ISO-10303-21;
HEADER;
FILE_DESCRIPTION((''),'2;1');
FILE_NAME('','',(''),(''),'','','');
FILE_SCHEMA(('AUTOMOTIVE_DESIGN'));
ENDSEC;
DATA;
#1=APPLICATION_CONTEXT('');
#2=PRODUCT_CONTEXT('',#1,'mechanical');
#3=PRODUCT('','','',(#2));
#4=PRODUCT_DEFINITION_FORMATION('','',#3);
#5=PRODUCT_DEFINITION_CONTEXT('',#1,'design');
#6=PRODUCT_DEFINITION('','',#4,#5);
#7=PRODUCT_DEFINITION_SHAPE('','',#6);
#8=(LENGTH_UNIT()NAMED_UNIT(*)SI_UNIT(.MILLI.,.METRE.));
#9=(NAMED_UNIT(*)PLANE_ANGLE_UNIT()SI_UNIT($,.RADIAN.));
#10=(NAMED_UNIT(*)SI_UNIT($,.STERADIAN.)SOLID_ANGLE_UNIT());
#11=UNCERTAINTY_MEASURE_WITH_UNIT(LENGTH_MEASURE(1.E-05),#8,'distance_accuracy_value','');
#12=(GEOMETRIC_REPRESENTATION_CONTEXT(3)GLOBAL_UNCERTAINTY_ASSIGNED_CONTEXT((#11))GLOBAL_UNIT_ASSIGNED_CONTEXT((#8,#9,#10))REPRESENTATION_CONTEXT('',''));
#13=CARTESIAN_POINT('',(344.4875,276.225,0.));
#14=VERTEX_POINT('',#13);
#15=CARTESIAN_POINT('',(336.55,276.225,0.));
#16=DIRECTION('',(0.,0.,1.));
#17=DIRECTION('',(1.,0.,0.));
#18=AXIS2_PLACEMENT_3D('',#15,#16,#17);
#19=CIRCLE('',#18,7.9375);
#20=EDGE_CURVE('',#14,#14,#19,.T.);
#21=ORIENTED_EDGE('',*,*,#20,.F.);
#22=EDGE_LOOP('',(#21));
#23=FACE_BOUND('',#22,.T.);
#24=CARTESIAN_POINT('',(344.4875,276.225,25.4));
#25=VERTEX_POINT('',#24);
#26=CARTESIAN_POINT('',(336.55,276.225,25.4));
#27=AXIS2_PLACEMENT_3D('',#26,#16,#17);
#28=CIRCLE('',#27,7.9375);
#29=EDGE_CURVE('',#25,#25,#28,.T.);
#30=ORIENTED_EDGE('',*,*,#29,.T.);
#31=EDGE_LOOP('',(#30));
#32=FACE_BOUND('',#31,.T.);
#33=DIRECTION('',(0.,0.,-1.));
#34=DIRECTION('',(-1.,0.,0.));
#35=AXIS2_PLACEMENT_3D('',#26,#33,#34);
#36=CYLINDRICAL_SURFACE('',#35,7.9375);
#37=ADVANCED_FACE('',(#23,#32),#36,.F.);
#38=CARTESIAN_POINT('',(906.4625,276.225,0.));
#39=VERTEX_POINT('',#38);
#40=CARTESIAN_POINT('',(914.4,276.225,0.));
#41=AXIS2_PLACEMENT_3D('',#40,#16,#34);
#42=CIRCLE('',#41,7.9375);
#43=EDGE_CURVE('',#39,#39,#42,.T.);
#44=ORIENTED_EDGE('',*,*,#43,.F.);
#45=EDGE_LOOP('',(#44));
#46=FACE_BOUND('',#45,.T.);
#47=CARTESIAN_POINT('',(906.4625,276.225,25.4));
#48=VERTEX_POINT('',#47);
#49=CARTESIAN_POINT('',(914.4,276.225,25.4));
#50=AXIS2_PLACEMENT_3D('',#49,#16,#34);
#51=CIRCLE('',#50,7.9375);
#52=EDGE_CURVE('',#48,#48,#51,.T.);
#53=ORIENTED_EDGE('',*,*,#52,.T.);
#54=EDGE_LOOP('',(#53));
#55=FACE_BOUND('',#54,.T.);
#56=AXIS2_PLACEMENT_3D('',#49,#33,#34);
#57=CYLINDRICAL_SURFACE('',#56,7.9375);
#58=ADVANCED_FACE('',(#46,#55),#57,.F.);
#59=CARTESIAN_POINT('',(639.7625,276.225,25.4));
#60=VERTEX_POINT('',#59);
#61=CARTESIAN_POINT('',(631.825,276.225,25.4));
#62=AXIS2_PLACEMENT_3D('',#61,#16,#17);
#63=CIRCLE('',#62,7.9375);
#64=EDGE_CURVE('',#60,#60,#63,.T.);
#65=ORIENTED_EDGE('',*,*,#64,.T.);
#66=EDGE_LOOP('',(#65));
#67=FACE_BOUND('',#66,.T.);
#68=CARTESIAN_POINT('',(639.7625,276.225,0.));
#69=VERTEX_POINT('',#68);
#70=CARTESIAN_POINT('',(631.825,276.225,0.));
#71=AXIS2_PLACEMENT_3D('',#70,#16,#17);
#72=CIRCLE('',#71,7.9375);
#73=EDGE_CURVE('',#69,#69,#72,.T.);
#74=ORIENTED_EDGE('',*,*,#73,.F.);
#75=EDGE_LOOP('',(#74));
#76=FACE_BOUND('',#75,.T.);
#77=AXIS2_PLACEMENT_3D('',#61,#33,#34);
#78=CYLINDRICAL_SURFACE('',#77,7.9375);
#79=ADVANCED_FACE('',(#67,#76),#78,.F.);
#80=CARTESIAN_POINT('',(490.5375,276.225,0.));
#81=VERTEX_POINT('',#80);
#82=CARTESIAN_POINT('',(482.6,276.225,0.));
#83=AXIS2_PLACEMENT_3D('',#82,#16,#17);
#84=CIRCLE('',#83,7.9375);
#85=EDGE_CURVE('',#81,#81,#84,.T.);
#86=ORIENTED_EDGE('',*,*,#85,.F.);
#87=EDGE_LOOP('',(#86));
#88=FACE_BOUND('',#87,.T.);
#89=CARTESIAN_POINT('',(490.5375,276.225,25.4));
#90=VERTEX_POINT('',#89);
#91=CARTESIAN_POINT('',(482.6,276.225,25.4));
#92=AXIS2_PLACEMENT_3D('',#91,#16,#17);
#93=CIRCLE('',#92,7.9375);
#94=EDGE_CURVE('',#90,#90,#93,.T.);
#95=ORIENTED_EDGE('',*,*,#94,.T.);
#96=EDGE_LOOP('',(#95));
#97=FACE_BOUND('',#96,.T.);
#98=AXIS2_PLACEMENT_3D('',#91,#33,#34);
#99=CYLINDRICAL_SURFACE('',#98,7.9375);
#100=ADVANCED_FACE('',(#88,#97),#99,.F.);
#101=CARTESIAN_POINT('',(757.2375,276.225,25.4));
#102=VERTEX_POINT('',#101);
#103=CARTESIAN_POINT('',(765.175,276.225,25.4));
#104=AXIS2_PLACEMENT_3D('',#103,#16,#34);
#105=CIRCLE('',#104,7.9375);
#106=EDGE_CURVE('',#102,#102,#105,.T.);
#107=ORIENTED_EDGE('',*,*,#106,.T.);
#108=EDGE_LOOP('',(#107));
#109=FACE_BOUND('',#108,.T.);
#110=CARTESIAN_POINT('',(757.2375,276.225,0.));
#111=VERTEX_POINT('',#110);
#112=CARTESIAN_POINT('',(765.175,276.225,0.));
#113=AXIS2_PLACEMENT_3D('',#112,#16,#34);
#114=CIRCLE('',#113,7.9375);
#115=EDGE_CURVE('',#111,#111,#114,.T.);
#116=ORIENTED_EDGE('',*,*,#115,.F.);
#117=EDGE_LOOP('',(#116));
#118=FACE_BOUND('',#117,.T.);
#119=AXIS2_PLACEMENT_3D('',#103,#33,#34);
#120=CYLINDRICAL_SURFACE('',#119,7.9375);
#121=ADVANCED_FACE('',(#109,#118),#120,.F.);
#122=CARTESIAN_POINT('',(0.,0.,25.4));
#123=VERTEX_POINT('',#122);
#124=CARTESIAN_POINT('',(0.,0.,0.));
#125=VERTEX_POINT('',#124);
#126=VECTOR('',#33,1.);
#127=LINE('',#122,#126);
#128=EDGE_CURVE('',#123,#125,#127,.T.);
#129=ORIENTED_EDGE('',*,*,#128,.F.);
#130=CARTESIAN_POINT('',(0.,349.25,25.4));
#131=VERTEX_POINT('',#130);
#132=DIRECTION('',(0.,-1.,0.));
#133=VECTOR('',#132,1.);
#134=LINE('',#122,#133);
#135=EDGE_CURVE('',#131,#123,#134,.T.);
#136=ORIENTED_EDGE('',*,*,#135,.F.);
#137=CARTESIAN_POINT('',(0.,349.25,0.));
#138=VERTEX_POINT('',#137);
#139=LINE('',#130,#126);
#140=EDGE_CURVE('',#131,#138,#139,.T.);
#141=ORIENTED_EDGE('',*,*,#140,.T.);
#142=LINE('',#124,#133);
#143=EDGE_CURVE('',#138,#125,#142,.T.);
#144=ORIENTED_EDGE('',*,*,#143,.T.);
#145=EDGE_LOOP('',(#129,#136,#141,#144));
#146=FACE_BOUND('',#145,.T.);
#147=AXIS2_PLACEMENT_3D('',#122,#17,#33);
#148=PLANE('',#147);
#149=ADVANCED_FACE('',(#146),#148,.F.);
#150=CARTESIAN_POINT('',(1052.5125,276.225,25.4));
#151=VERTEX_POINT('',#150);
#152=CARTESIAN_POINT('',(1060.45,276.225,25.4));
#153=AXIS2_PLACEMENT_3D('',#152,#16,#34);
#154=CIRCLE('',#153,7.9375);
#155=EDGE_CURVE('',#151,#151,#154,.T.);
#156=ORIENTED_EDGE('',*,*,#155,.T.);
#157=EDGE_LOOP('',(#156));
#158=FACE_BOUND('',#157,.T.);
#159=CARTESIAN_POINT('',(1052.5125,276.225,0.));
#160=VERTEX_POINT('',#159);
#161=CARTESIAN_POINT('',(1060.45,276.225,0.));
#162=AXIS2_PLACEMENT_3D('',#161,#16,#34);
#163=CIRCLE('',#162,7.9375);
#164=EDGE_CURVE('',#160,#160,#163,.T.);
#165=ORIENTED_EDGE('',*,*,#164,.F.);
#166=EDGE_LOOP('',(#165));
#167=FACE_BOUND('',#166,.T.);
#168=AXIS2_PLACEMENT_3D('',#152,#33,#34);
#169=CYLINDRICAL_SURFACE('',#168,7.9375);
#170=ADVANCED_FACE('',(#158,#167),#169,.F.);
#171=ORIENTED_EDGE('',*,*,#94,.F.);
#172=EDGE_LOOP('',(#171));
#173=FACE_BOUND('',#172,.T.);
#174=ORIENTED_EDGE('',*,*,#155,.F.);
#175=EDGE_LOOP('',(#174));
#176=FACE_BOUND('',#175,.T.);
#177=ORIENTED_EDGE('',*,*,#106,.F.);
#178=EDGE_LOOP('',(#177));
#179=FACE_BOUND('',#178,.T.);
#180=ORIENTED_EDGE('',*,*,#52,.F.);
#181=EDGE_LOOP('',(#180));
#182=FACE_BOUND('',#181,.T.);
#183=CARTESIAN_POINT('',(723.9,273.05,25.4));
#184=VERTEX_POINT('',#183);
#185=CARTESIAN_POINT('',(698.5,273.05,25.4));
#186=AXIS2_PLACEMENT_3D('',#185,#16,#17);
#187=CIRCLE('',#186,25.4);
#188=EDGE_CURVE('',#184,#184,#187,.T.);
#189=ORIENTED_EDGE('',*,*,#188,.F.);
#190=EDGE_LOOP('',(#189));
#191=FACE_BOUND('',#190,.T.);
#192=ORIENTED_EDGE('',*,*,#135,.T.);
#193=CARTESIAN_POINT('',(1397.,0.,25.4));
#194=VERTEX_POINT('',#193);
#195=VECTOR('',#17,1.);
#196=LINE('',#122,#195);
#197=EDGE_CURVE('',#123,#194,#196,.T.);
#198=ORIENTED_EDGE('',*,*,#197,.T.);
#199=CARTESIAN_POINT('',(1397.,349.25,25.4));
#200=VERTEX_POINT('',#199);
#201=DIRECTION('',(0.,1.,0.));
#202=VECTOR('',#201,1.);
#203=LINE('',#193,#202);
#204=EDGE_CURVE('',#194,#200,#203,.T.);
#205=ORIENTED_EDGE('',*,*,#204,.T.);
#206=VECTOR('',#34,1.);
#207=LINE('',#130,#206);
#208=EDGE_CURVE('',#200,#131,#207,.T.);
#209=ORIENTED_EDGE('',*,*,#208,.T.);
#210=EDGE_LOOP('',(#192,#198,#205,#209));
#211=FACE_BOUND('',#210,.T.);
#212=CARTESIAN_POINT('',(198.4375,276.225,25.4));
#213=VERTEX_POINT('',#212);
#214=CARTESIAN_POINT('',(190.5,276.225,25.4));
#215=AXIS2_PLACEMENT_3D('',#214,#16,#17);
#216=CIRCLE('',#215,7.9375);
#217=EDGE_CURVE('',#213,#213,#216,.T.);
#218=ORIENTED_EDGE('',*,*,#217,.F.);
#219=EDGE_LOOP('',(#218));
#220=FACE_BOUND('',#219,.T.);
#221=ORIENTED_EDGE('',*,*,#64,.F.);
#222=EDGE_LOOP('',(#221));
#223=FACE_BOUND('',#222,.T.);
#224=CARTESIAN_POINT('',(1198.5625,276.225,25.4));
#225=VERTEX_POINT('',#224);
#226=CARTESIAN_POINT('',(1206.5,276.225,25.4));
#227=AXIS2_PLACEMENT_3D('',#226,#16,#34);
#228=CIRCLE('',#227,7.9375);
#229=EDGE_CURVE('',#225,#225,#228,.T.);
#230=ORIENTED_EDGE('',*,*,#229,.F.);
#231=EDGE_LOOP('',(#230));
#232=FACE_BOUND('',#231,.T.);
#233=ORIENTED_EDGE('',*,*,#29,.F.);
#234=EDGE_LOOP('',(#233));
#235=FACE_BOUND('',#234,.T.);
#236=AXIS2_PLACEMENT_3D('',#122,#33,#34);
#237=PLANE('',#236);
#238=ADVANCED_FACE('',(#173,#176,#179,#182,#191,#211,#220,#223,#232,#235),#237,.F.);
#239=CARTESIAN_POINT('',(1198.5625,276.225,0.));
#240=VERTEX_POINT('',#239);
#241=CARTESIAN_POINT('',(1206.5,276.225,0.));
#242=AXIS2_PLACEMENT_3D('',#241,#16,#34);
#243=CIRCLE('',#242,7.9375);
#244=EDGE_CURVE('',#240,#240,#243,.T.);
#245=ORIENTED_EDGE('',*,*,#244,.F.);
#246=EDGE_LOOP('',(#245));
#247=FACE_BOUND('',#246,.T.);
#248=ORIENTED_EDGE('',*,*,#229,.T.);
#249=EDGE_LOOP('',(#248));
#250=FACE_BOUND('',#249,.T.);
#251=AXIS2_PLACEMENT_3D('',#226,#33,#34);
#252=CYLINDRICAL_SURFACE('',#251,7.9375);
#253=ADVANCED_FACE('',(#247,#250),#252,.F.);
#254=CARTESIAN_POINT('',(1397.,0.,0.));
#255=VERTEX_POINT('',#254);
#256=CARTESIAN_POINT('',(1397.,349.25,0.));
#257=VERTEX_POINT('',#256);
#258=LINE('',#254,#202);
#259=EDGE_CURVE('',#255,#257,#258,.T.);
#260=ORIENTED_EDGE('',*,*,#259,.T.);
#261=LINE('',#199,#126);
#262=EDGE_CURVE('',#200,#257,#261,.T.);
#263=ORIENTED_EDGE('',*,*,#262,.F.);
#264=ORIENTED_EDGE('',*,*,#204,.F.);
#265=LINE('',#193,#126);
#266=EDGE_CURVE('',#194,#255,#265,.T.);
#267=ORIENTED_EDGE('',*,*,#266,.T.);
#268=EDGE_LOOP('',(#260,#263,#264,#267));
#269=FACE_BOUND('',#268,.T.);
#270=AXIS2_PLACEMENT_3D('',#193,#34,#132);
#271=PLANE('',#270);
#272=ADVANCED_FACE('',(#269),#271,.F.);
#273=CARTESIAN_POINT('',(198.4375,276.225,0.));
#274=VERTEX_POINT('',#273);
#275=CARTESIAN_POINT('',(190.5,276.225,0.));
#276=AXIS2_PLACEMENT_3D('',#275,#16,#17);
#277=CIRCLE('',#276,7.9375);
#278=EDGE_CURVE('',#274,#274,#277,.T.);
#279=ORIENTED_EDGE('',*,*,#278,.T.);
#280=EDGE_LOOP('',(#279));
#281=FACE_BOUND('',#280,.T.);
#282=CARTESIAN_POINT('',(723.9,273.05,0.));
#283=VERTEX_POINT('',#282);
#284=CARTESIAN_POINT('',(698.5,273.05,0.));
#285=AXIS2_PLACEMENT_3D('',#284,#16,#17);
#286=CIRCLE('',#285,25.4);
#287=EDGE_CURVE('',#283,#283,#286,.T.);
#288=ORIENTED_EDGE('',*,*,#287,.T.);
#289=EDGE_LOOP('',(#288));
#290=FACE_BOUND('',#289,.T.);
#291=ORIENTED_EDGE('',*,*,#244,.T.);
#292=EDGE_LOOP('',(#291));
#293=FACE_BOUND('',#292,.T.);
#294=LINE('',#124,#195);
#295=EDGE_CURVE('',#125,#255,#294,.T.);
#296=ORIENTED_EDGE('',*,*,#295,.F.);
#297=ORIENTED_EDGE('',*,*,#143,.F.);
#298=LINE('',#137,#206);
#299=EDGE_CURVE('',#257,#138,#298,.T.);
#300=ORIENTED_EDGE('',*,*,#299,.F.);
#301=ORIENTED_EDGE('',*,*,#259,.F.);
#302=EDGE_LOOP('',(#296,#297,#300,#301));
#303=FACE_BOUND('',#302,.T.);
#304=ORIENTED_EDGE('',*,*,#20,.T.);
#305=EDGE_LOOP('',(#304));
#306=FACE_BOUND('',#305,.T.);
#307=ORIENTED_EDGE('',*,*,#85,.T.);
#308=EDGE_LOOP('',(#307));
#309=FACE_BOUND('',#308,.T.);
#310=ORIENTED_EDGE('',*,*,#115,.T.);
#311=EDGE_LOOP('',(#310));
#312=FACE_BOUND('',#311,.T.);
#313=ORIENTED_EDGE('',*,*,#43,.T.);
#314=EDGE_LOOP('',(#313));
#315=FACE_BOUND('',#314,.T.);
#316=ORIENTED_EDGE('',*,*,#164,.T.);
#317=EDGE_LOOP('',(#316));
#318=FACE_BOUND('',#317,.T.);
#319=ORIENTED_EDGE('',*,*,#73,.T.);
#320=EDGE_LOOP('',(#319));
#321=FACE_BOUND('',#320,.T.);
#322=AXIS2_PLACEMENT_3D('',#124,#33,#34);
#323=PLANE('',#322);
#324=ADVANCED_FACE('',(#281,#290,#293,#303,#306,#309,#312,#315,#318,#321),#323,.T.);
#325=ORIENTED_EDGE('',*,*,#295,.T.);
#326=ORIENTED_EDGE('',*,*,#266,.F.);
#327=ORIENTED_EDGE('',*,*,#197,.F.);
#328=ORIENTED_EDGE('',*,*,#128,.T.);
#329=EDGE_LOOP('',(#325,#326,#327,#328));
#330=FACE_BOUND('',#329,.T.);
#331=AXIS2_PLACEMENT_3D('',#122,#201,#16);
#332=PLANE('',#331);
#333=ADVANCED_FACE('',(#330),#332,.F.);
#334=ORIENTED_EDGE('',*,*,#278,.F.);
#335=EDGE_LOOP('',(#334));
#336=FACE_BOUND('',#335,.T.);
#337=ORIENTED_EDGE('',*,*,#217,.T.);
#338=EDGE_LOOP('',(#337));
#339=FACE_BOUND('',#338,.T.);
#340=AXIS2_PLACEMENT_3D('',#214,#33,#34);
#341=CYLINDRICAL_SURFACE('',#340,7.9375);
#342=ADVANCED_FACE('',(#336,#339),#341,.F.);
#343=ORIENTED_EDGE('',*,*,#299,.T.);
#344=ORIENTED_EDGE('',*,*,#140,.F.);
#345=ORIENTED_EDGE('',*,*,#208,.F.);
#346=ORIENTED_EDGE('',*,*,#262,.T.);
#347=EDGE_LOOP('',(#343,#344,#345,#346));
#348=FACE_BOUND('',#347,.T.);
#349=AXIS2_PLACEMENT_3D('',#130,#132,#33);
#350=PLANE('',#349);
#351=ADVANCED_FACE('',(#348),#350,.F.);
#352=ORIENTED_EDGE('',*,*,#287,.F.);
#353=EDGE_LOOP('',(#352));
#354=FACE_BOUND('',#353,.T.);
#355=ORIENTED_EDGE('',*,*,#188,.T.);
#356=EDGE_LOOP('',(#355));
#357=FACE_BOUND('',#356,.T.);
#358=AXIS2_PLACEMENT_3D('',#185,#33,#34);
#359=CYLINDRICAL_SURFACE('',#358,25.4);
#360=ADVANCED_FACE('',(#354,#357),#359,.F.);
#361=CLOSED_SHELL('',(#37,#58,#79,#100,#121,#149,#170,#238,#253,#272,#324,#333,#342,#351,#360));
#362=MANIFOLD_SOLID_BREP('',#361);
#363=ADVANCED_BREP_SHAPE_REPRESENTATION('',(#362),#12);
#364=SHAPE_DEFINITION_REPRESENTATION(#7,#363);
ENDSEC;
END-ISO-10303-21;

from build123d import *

# Parameters (mm, degrees)
SKETCH1_W           = 1397
SKETCH1_H           = 349.25
SKETCH1_R           = 25.4
SKETCH1_R_2         = 7.9375
BOSS_EXTRUDE1_DEPTH = 25.4


with BuildPart() as part:
    # Sketch1 → Boss-Extrude1 (new body)
    with BuildSketch(Plane.XY):
        with Locations((698.5, 174.625)):
            Rectangle(SKETCH1_W, SKETCH1_H)
        with Locations((698.5, 273.05)):
            Circle(SKETCH1_R, mode=Mode.SUBTRACT)
        with Locations((190.5, 276.225)):
            Circle(SKETCH1_R_2, mode=Mode.SUBTRACT)
        with Locations((336.55, 276.225)):
            Circle(SKETCH1_R_2, mode=Mode.SUBTRACT)
        with Locations((482.6, 276.225)):
            Circle(SKETCH1_R_2, mode=Mode.SUBTRACT)
        with Locations((631.825, 276.225)):
            Circle(SKETCH1_R_2, mode=Mode.SUBTRACT)
        with Locations(Location((1206.5, 276.225, 0), (0, 0, 180))):
            Circle(SKETCH1_R_2, mode=Mode.SUBTRACT)
        with Locations(Location((1060.45, 276.225, 0), (0, 0, 180))):
            Circle(SKETCH1_R_2, mode=Mode.SUBTRACT)
        with Locations(Location((914.4, 276.225, 0), (0, 0, 180))):
            Circle(SKETCH1_R_2, mode=Mode.SUBTRACT)
        with Locations(Location((765.175, 276.225, 0), (0, 0, 180))):
            Circle(SKETCH1_R_2, mode=Mode.SUBTRACT)
    extrude(amount=BOSS_EXTRUDE1_DEPTH)


solid = part.part
